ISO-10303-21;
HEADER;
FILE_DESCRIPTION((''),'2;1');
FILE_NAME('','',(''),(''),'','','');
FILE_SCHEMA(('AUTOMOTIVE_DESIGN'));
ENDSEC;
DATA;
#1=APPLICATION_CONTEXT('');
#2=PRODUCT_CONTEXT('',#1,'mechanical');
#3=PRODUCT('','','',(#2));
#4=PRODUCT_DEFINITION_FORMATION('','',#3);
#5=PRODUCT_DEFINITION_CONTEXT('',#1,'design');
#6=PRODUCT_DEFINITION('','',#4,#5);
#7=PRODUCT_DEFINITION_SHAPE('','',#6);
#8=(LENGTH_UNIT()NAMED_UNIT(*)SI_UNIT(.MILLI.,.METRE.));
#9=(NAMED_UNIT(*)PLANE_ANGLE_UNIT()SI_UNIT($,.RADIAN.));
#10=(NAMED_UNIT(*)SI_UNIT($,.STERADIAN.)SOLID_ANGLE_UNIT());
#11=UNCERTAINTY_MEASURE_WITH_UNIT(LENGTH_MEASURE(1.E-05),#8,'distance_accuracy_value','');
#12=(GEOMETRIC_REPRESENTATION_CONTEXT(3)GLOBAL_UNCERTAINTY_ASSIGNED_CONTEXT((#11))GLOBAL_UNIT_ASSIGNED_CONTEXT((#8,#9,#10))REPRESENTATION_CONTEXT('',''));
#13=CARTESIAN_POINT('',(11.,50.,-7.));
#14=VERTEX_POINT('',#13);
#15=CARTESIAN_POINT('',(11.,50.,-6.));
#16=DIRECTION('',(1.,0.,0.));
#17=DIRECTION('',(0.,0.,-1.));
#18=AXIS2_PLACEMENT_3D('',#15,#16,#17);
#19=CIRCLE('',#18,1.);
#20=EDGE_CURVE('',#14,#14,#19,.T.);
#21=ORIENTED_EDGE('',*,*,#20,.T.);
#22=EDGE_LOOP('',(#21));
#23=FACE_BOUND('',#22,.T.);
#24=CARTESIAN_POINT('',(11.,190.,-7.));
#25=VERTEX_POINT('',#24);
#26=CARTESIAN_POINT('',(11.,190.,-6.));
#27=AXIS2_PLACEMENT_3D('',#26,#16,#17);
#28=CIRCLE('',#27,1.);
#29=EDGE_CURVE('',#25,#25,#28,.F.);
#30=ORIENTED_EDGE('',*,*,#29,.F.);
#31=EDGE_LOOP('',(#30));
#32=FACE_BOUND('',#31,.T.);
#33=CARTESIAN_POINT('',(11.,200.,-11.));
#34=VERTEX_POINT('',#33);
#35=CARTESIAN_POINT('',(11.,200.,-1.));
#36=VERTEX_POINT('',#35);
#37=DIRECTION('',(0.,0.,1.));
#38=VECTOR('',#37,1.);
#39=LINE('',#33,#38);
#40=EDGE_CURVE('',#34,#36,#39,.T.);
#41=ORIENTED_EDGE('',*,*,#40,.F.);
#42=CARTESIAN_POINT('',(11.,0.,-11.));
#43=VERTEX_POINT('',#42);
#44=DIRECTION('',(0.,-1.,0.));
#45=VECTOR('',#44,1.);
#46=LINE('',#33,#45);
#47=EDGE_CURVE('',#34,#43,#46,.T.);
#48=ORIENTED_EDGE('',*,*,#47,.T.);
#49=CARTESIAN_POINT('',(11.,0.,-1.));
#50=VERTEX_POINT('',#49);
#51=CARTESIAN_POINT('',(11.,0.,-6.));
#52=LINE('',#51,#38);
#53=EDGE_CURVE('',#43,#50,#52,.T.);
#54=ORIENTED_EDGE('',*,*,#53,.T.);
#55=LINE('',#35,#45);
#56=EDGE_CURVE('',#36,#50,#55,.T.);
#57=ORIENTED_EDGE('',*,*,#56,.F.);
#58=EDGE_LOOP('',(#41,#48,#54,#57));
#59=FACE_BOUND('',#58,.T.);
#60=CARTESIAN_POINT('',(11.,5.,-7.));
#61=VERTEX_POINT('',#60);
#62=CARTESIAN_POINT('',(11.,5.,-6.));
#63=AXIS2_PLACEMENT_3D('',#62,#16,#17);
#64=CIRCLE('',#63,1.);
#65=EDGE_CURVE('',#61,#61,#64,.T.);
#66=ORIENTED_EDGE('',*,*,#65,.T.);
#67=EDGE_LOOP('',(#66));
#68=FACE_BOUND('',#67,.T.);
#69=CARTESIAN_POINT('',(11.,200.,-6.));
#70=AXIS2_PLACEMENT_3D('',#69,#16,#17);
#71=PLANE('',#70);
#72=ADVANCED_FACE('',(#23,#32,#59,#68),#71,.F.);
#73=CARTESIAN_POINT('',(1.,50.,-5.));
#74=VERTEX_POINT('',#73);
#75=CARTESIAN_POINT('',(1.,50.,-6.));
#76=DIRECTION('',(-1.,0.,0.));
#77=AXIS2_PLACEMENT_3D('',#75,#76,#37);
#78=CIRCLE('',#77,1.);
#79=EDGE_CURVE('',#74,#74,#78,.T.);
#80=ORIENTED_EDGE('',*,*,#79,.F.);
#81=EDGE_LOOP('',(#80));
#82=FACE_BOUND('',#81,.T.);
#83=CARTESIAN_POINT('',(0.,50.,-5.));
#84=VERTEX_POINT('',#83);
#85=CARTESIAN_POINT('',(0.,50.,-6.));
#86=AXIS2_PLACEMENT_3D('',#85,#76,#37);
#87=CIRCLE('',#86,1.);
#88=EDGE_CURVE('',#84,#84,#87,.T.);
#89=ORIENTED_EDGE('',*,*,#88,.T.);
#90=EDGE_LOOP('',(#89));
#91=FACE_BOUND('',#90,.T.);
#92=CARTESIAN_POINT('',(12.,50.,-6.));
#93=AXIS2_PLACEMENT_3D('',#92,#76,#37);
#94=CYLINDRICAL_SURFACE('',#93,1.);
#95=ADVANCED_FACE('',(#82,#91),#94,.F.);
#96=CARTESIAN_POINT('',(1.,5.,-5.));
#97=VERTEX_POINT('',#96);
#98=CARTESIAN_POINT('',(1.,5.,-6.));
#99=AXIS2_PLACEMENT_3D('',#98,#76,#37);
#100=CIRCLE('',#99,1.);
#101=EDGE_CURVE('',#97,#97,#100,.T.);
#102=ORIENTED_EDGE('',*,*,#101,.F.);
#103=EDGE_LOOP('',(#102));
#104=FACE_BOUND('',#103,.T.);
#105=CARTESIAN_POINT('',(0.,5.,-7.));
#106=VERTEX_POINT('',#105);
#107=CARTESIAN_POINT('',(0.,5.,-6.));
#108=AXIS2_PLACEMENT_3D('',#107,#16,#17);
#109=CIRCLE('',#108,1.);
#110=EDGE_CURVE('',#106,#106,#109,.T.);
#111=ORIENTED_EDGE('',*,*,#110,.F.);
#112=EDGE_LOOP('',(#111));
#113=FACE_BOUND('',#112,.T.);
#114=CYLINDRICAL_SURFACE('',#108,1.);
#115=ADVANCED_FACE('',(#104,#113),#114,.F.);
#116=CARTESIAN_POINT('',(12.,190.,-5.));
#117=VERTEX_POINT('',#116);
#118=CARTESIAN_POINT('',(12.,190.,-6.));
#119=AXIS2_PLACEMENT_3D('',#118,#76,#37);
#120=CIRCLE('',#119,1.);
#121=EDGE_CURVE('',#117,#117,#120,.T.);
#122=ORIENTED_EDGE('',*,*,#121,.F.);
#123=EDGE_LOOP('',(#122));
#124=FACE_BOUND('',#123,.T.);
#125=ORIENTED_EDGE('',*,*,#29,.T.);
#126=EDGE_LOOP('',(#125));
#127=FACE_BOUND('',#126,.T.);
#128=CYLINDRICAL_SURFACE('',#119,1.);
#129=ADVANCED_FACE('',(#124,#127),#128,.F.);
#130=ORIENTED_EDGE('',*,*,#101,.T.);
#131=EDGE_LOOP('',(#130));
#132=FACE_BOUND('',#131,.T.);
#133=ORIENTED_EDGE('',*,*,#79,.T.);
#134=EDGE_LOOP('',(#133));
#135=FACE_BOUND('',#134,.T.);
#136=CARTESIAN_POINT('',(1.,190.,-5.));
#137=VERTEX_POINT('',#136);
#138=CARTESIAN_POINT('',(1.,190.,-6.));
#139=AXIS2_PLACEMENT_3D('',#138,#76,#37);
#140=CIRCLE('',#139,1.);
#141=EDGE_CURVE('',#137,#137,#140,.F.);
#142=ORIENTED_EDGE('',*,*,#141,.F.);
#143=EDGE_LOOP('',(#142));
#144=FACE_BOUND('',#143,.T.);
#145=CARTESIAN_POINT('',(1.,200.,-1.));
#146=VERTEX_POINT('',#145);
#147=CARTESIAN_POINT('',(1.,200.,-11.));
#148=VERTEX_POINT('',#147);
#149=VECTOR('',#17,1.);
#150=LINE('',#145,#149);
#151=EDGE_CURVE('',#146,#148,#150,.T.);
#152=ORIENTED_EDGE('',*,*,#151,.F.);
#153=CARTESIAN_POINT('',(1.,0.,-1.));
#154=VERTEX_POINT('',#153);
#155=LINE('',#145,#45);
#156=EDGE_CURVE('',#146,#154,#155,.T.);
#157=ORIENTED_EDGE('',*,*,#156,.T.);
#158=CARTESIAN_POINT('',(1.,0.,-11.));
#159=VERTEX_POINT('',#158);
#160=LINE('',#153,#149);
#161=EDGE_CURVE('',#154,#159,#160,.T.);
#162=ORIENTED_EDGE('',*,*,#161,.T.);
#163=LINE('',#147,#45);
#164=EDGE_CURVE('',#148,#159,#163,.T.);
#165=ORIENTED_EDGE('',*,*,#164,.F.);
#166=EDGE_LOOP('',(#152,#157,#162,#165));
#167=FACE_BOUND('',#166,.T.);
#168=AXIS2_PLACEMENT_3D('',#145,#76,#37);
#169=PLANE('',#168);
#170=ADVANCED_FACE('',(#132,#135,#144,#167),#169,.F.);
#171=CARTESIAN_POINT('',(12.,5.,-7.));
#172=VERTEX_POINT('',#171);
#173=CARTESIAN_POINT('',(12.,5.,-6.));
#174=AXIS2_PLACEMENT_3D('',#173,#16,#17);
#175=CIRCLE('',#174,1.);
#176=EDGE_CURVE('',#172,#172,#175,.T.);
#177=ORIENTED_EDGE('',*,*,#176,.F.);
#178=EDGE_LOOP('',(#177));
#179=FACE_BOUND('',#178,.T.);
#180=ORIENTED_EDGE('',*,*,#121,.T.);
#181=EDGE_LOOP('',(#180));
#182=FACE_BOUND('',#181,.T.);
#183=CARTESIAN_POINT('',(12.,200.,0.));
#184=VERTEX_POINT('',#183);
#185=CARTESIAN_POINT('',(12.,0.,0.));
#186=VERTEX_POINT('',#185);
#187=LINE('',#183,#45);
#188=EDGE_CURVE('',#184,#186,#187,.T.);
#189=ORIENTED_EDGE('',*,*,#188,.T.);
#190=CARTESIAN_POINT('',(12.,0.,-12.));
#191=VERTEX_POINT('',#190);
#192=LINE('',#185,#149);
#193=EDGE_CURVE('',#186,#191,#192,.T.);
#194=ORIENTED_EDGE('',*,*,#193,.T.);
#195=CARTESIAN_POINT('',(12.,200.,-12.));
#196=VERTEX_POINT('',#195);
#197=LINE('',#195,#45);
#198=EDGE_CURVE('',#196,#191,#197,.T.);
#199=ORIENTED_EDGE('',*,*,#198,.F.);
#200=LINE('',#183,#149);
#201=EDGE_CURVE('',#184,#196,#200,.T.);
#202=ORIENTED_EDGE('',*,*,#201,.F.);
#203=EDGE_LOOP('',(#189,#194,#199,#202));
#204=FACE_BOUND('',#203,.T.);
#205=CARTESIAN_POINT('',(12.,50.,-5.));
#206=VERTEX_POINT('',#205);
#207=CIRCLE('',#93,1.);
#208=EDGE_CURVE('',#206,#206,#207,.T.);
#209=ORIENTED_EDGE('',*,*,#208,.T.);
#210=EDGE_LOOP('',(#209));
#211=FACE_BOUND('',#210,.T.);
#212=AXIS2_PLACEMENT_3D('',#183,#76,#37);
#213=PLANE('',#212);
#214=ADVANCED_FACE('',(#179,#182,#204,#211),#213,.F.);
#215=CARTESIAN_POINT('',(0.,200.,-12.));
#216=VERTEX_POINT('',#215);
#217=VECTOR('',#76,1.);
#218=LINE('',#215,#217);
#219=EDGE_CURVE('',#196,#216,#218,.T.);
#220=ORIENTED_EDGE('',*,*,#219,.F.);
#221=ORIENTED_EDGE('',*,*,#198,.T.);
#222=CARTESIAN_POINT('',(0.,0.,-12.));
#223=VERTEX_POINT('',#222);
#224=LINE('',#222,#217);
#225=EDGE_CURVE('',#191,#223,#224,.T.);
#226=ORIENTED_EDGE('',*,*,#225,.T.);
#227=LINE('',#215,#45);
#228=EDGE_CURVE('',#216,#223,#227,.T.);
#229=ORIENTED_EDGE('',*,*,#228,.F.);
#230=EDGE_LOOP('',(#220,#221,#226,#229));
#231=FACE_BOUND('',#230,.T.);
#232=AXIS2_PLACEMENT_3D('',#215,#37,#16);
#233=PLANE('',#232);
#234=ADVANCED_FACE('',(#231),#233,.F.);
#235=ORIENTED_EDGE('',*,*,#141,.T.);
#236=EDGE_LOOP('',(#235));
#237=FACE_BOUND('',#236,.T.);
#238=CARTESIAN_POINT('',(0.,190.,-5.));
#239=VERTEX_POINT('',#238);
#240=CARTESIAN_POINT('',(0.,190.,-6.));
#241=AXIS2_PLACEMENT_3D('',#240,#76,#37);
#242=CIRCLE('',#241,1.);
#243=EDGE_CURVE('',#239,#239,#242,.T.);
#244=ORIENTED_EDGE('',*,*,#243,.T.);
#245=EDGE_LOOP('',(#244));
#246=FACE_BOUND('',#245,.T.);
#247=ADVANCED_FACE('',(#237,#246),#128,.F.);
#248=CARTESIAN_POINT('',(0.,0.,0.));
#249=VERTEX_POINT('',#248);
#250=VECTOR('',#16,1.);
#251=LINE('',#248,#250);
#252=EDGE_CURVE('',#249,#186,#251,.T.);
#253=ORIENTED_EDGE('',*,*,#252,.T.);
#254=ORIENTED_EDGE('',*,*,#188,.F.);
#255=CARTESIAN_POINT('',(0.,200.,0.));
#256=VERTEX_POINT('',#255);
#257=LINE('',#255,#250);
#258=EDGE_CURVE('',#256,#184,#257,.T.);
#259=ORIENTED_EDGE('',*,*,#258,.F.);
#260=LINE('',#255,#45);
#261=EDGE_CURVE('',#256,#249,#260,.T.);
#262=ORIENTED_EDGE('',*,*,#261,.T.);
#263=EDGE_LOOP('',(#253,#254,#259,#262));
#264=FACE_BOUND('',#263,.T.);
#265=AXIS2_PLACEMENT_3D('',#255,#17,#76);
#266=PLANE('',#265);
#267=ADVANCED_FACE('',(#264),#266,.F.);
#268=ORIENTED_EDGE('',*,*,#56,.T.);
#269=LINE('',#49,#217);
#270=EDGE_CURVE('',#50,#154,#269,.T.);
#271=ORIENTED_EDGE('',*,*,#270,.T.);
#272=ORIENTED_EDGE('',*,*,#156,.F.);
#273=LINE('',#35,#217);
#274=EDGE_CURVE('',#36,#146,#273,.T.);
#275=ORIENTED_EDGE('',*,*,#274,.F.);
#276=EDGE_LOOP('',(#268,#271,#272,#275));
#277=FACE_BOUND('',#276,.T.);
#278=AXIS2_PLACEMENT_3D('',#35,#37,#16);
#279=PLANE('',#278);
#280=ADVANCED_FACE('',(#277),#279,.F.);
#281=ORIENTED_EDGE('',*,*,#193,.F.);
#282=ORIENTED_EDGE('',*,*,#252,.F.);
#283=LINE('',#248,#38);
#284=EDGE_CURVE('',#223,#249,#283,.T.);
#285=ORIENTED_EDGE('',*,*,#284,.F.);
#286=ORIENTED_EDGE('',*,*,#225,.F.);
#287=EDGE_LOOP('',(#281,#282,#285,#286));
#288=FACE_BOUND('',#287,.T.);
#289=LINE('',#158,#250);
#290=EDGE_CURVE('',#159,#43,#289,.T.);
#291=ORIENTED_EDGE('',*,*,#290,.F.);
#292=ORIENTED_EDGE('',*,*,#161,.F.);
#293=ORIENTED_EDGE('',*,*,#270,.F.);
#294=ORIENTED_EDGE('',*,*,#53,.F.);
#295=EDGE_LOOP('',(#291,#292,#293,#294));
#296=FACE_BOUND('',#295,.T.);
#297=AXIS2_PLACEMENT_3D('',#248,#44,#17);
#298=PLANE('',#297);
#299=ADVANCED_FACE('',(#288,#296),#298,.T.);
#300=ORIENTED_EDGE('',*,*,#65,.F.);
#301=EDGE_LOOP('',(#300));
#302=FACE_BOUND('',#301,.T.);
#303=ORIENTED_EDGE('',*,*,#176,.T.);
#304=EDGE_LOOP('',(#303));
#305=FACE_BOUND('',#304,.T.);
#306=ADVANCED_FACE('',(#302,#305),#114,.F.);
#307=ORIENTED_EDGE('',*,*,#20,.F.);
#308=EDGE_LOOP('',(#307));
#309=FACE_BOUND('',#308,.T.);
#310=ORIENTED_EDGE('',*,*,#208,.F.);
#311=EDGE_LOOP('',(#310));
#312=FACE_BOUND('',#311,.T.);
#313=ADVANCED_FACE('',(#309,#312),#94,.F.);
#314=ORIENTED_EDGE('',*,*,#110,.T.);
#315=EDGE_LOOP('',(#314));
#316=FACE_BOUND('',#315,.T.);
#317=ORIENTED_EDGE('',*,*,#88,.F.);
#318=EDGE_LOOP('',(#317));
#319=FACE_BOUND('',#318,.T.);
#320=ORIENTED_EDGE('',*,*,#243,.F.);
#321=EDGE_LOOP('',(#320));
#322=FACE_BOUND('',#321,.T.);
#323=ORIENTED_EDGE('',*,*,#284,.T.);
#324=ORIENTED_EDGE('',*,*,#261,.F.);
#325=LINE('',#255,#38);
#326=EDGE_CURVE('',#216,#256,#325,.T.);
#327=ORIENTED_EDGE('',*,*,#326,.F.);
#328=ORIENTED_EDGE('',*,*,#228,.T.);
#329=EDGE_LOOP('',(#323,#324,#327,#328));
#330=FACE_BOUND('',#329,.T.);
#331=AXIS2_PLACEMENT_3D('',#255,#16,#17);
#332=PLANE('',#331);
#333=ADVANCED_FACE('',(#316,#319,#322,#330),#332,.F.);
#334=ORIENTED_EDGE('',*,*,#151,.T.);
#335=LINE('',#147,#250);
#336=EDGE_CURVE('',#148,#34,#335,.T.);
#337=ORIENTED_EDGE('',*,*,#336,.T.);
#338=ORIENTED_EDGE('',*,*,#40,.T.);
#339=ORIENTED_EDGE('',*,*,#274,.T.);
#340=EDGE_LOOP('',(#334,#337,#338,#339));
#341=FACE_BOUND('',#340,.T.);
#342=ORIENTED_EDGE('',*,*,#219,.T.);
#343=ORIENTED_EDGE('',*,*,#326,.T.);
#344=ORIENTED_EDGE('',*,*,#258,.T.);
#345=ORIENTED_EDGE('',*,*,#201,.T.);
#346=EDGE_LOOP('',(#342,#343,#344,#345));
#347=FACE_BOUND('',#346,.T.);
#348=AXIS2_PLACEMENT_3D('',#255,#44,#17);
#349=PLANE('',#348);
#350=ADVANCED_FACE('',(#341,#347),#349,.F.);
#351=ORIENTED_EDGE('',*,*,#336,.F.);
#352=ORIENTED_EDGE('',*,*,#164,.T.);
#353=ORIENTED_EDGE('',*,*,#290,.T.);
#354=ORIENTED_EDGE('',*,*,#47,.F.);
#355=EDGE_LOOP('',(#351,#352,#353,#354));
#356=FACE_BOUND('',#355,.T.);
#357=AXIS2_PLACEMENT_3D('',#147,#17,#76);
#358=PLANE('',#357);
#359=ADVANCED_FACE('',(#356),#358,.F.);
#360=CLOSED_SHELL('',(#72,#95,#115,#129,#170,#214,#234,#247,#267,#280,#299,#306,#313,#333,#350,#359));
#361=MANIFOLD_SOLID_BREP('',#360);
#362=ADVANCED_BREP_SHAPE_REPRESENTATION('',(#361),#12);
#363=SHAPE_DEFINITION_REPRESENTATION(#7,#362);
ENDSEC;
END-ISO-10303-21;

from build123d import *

# Parameters (mm, degrees)
SKETCH_1_W          = 12
SKETCH_1_H          = 12
SKETCH_1_W_2        = 8
SKETCH_1_H_2        = 8
EXTRUDE_1_DEPTH     = 200
CUT_EXTRUDE_1_DEPTH = 12
CUT_EXTRUDE_3_DEPTH = 200
SKETCH_6_R          = 1
CUT_EXTRUDE_4_DEPTH = 12
SKETCH_7_R          = 1
CUT_EXTRUDE_5_DEPTH = 12


with BuildPart() as part:
    # 草图1 → 凸台-拉伸1 (new body)
    with BuildSketch(Plane(origin=(0, 0, 0), x_dir=(1, 0, 0), z_dir=(0, 1, 0))):
        with Locations((6, 6)):
            Rectangle(SKETCH_1_W, SKETCH_1_H)
        with Locations((6, 6)):
            Rectangle(SKETCH_1_W_2, SKETCH_1_H_2, mode=Mode.SUBTRACT)
    extrude(amount=EXTRUDE_1_DEPTH)

    # 草图2 → 切除-拉伸1 (cut)
    with BuildSketch(Plane.ZY):
        with BuildLine():
            ThreePointArc((-7, 190), (-6, 189), (-5, 190))
            Line((-5, 190), (-7, 190))
        make_face()
        with BuildLine():
            Line((-7, 190), (-5, 190))
            ThreePointArc((-5, 190), (-6, 191), (-7, 190))
        make_face()
    extrude(amount=-CUT_EXTRUDE_1_DEPTH, mode=Mode.SUBTRACT)

    # 草图4 → 切除-拉伸3 (cut)
    with BuildSketch(Plane(origin=(0, 0, 0), x_dir=(-1, 0, 0), z_dir=(0, -1, 0))):
        Polygon((-11, 6), (-11, 1), (-1, 1), (-1, 11), (-11, 11), align=None)
    extrude(amount=-CUT_EXTRUDE_3_DEPTH, mode=Mode.SUBTRACT)

    # 草图6 → 切除-拉伸4 (cut)
    with BuildSketch(Plane(origin=(12, 0, 0), x_dir=(0, 0, -1), z_dir=(1, 0, 0))):
        with Locations((6, 5)):
            Circle(SKETCH_6_R)
    extrude(amount=-CUT_EXTRUDE_4_DEPTH, mode=Mode.SUBTRACT)

    # 草图7 → 切除-拉伸5 (cut)
    with BuildSketch(Plane.ZY):
        with Locations((-6, 50)):
            Circle(SKETCH_7_R)
    extrude(amount=-CUT_EXTRUDE_5_DEPTH, mode=Mode.SUBTRACT)


solid = part.part
